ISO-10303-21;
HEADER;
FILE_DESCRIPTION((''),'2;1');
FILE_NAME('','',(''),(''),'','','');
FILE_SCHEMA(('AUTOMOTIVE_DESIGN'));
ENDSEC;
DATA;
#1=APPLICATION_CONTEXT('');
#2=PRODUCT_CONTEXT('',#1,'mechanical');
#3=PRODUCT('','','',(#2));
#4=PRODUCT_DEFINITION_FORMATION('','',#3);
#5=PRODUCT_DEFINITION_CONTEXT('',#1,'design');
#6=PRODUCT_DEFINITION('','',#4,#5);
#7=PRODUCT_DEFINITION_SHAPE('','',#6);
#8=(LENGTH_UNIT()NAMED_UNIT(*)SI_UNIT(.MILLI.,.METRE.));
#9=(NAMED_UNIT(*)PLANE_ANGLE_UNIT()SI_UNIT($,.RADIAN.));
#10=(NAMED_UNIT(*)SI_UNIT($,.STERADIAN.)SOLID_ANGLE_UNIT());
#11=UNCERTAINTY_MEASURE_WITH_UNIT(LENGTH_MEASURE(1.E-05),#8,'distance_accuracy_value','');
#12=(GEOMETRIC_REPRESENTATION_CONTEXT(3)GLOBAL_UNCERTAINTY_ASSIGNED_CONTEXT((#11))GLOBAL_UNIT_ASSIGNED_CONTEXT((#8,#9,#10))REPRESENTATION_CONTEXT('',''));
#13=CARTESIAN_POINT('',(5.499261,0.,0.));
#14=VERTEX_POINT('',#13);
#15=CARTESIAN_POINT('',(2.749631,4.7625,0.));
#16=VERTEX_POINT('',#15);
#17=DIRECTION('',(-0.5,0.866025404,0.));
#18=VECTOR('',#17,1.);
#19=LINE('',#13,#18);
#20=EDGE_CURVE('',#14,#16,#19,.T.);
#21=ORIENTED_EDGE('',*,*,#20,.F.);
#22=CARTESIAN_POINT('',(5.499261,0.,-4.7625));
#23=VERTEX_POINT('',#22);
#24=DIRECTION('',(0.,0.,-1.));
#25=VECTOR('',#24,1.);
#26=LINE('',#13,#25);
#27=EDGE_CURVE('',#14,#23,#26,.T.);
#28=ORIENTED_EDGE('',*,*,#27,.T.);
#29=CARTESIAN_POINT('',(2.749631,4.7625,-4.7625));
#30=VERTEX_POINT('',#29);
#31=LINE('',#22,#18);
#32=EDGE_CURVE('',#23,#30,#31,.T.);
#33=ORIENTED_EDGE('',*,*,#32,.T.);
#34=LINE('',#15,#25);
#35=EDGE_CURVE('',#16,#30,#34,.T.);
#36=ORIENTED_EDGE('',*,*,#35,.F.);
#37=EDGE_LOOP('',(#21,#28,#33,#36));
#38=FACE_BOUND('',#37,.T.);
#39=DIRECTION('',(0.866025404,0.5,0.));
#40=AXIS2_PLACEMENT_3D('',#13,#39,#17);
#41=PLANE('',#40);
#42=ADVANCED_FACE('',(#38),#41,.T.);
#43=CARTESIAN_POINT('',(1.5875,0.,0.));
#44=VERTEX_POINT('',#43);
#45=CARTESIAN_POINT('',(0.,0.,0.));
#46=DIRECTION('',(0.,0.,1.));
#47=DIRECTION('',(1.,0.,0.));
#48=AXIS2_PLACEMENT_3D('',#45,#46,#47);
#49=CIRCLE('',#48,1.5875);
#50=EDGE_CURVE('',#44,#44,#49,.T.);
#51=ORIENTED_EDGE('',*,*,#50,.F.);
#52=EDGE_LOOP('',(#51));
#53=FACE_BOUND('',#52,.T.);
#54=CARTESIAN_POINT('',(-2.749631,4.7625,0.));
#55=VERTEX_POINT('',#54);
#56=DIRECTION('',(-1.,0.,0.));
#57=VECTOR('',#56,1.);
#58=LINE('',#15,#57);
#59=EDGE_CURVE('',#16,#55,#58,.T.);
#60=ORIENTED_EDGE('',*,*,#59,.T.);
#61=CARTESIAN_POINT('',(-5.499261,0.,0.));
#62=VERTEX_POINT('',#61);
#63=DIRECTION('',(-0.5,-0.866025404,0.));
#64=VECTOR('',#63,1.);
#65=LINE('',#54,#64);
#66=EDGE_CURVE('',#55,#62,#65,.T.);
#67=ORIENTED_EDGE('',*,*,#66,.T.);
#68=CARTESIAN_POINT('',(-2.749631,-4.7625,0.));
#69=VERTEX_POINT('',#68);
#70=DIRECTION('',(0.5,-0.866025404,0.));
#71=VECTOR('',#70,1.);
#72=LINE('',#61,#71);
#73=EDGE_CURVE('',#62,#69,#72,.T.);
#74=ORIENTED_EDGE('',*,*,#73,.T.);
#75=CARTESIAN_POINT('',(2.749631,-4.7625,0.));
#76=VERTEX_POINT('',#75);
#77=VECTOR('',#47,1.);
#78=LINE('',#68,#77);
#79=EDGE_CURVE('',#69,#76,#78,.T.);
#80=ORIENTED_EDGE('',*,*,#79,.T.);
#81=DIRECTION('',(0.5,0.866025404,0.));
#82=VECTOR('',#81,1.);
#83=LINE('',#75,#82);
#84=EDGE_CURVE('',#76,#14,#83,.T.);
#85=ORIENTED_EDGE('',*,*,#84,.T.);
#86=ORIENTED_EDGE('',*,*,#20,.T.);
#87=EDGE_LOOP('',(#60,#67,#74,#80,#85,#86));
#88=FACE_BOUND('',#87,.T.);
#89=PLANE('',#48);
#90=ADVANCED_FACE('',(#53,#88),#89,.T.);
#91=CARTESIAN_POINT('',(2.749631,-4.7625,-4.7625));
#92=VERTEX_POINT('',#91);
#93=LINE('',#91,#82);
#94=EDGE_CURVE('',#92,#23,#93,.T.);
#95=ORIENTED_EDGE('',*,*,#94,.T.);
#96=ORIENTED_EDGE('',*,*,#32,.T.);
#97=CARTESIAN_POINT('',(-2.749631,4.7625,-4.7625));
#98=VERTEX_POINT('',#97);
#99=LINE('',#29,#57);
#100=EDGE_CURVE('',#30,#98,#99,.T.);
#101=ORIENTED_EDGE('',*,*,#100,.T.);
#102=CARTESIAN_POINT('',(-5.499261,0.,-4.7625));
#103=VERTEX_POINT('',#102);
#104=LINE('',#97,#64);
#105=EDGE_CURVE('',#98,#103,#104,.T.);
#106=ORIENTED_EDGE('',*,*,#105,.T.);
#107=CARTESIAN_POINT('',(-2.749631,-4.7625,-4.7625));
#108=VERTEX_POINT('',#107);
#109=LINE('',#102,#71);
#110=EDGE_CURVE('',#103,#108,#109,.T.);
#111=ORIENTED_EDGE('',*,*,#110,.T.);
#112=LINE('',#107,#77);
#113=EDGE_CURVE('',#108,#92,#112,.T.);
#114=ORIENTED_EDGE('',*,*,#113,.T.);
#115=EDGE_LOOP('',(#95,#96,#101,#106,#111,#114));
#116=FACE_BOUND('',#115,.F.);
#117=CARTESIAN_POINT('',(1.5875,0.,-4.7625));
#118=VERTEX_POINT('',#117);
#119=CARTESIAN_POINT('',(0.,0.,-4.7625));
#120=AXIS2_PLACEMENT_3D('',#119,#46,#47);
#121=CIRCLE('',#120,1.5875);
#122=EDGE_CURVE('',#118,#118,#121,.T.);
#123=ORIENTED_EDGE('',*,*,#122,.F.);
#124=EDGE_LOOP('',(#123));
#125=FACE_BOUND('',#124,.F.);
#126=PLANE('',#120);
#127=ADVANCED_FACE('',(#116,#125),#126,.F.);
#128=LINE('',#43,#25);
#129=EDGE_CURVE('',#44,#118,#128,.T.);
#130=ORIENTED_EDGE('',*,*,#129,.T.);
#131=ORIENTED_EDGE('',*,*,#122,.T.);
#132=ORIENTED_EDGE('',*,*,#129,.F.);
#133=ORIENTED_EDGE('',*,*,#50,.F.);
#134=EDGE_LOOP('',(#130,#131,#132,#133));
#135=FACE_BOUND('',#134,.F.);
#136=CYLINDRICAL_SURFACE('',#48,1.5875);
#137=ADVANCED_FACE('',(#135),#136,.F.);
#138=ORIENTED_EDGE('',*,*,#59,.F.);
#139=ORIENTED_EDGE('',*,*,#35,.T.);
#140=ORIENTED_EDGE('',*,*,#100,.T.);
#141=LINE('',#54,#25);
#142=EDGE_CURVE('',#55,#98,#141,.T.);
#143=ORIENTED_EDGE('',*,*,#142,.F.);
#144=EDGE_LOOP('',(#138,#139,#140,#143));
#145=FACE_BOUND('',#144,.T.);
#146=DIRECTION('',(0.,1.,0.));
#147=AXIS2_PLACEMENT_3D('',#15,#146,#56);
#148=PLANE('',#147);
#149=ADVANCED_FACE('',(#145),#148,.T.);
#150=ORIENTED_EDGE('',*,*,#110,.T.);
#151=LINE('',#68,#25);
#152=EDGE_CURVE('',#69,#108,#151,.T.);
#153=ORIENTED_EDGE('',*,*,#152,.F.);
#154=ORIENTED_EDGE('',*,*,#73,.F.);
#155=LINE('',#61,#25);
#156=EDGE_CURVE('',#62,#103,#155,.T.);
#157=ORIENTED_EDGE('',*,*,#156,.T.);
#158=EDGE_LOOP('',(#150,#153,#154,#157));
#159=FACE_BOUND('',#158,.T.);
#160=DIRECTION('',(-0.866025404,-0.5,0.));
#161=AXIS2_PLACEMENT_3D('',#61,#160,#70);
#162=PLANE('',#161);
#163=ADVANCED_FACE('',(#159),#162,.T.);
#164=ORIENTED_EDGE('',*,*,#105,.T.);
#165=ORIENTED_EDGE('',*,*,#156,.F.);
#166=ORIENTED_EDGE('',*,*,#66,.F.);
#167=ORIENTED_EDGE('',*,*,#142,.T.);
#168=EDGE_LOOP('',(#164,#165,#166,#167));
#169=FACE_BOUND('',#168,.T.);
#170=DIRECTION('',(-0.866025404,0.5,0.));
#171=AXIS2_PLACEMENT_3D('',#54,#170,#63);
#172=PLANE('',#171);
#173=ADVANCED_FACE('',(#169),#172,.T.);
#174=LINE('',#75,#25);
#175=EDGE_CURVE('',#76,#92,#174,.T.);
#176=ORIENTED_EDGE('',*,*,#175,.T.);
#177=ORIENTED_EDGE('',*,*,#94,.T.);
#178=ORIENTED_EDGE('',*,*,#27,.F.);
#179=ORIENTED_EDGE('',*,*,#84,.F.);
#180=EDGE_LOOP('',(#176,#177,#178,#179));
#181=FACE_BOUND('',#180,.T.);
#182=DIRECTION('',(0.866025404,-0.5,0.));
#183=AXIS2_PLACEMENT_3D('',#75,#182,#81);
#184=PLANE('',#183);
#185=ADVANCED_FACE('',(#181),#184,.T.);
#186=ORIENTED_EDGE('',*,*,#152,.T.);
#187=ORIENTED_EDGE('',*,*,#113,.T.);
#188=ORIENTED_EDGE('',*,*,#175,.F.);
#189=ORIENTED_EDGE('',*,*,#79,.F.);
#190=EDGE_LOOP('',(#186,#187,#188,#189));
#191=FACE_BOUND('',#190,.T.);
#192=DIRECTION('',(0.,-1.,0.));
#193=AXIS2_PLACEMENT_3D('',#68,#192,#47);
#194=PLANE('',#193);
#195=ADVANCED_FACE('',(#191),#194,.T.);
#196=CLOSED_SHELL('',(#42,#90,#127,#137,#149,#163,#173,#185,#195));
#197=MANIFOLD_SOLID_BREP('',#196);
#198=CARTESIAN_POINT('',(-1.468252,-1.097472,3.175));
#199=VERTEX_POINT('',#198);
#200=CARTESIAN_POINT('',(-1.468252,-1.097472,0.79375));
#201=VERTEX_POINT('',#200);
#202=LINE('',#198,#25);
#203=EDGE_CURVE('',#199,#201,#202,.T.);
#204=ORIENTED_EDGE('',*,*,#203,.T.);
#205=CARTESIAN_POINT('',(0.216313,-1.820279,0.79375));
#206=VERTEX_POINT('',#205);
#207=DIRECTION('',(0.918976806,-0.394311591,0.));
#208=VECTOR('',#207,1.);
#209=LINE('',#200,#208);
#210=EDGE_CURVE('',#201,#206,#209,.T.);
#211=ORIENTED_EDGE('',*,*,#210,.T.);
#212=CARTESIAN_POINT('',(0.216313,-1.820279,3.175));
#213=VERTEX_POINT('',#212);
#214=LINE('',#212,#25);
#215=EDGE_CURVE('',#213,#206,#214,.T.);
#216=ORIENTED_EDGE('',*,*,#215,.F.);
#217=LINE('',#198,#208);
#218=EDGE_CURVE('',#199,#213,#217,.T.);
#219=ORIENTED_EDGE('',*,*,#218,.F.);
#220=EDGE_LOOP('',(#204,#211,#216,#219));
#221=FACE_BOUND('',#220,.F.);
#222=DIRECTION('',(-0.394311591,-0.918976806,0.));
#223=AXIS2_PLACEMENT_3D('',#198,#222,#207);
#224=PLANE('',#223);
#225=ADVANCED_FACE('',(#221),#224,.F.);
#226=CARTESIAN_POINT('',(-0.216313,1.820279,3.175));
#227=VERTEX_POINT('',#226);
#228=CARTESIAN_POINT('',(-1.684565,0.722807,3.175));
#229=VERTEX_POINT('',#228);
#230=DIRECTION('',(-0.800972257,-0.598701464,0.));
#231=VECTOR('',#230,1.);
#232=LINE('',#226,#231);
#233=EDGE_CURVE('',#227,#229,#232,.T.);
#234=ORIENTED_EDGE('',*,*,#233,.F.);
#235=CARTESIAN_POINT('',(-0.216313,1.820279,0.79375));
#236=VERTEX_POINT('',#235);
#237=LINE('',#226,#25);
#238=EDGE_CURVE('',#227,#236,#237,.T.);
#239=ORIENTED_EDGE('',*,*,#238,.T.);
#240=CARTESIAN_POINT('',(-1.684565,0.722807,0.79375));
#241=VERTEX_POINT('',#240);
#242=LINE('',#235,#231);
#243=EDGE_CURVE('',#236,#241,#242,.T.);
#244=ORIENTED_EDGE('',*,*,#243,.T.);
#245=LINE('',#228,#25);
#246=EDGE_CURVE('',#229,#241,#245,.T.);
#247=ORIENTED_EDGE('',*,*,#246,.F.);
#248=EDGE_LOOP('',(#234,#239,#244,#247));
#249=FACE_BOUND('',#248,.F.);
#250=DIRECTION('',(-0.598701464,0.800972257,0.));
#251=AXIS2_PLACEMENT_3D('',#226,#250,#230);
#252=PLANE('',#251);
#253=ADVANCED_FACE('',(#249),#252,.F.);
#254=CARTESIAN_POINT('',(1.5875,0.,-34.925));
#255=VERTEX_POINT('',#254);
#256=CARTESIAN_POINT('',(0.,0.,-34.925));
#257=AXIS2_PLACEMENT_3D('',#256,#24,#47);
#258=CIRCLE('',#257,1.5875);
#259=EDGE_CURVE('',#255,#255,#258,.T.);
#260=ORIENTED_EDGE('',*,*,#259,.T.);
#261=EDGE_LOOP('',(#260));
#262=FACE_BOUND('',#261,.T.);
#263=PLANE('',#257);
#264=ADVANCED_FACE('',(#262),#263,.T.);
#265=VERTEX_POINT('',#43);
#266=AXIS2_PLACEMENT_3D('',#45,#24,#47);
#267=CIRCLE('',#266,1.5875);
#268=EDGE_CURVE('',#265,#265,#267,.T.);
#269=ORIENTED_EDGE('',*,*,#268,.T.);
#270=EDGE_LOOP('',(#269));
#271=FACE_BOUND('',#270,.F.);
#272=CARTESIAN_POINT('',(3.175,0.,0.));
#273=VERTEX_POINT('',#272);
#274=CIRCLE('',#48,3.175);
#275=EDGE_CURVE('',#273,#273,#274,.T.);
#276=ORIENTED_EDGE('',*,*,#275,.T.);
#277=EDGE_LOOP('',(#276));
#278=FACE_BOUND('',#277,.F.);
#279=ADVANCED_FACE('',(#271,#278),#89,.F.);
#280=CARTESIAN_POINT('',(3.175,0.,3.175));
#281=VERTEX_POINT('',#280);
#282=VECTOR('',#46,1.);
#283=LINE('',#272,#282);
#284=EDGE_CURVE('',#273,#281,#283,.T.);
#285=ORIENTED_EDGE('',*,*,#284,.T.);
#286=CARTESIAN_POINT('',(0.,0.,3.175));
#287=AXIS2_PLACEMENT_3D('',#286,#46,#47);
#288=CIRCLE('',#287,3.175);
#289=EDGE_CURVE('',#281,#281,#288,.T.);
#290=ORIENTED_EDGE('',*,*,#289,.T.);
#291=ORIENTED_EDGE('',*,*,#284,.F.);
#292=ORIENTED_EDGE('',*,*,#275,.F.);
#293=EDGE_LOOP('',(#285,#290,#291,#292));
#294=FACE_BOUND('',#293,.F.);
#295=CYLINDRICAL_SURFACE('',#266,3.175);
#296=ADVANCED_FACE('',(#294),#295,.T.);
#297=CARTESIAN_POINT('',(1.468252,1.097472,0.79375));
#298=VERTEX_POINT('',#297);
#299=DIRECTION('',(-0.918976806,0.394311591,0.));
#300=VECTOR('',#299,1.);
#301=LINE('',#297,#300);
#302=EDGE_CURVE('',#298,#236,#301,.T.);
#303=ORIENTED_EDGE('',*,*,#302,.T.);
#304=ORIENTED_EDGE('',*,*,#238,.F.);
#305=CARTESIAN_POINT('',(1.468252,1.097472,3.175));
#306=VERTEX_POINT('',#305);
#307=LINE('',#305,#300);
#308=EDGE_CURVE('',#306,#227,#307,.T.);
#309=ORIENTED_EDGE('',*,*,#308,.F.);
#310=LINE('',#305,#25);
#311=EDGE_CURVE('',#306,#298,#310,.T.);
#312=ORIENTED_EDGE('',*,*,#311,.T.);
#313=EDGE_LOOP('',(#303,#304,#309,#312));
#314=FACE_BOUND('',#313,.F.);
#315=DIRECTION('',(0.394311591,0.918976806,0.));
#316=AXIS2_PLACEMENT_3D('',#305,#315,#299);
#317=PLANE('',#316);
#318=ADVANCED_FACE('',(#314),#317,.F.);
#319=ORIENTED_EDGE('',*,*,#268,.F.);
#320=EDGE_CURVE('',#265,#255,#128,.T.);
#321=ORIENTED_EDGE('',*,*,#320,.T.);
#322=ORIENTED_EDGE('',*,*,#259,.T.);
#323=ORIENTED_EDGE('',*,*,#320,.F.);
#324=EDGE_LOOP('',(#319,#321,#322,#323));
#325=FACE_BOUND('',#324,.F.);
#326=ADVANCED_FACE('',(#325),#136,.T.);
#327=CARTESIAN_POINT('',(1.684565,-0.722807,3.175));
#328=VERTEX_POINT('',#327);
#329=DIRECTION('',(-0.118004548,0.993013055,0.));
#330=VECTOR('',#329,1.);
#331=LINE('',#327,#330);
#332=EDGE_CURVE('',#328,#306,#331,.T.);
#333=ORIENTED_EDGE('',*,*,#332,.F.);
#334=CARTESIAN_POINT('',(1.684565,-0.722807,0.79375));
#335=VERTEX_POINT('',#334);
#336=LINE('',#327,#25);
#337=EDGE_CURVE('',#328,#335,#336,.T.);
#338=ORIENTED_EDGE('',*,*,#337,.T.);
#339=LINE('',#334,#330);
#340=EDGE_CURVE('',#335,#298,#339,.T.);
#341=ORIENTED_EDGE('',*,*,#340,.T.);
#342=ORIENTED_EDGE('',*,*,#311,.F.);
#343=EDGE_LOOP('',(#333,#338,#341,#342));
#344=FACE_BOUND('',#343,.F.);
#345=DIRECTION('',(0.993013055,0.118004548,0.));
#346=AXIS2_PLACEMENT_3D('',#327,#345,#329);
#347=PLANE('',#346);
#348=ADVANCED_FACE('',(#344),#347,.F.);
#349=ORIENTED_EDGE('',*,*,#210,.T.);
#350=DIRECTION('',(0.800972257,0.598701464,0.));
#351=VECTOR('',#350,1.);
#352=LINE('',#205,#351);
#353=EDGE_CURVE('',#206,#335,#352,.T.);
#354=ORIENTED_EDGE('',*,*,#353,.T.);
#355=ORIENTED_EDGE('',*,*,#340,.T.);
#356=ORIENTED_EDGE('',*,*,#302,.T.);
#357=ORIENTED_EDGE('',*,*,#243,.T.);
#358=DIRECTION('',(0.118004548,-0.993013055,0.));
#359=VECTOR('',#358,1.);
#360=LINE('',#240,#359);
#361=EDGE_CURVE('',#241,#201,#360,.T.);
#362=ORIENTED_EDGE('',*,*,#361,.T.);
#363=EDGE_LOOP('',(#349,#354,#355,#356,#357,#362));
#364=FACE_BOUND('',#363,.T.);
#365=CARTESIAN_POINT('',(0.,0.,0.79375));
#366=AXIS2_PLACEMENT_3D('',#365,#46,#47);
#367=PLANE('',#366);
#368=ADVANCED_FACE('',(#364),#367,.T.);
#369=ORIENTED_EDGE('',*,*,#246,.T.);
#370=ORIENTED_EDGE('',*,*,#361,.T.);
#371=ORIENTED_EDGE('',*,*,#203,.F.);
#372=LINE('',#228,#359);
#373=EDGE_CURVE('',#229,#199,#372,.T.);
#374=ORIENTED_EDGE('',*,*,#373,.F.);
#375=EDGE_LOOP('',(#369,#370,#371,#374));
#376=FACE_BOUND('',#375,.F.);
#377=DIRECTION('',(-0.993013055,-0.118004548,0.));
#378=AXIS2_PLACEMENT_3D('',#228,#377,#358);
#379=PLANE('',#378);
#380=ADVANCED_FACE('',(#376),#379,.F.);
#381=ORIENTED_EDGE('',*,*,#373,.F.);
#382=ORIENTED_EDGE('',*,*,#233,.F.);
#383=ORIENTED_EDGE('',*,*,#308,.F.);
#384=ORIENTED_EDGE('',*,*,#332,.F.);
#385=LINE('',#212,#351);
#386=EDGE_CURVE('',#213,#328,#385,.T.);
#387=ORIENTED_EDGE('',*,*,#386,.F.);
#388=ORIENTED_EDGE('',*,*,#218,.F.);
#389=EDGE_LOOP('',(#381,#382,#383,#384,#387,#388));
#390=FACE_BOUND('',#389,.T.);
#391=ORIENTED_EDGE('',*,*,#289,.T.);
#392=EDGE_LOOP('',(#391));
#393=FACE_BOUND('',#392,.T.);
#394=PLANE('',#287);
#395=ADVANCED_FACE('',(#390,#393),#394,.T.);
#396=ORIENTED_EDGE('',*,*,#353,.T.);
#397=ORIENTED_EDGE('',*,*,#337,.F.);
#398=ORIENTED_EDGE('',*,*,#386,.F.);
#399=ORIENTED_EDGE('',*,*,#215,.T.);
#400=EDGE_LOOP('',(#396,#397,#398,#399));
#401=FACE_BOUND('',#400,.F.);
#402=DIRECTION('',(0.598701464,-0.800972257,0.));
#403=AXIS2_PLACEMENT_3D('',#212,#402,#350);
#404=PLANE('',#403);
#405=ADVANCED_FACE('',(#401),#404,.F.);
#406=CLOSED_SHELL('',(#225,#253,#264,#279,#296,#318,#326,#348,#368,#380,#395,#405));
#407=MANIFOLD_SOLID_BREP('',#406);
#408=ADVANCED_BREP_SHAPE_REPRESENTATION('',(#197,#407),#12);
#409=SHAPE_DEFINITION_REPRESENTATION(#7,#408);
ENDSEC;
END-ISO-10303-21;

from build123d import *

# Parameters (mm, degrees)
F0_R      = 1.5875
F1_DEPTH  = 4.7625
F2_R      = 3.175
F3_DEPTH  = 3.175
F4_R      = 1.5875
F5_DEPTH  = 34.925
F7_DEPTH  = 3.048
F9_DEPTH  = 3.175
F11_R     = 1.5875
F12_DEPTH = 25.4
F14_R     = 3.175
F15_DEPTH = 3.175
F16_R     = 1.5875
F17_DEPTH = 34.925
F19_DEPTH = 2.38125


with BuildPart() as f1:
    # F0 (on Top) → F1 (new body)
    with BuildSketch(Plane.XY):
        Polygon((-2.749630657, -4.7625), (2.749630657, -4.7625), (5.499261314, 0), (2.749630657, 4.7625), (-2.749630657, 4.7625), (-5.499261314, 0), align=None)
        Circle(F0_R, mode=Mode.SUBTRACT)
    extrude(amount=-F1_DEPTH)


with BuildPart() as f3:
    # F2 (on Top) → F3 (new body)
    with BuildSketch(Plane.XY):
        Circle(F2_R)
    extrude(amount=F3_DEPTH)

    # F6 (on face) → F7 (join)
    with BuildSketch(Plane.XY.offset(3.175)):
        Polygon((-1.7250356923, 0.6200485413), (-1.3994956345, -1.1839004614), (0.3255400579, -1.8039490026), (1.7250356923, -0.6200485413), (1.3994956345, 1.1839004614), (-0.3255400579, 1.8039490026), align=None)
    extrude(amount=-F7_DEPTH)

    # F8 (on face) → F9 (cut)
    with BuildSketch(Plane.XY.offset(3.175)):
        Polygon((-0.0873734126, -1.8310036101), (1.5420089344, -0.9911694), (1.6293823471, 0.8398342101), (0.0873734126, 1.8310036101), (-1.5420089344, 0.9911694), (-1.6293823471, -0.8398342101), align=None)
    extrude(amount=-F9_DEPTH, mode=Mode.SUBTRACT)


with BuildPart() as f5:
    # F4 (on face) → F5 (new body)
    with BuildSketch(Plane(origin=(0, 0, 0), x_dir=(1, 0, 0), z_dir=(0, 0, -1))):
        Circle(F4_R)
    extrude(amount=F5_DEPTH)


with BuildPart() as f12:
    # F11 (on face) → F12 (new body)
    with BuildSketch(Plane.XY):
        Polygon((5.4008311415, 1.0358078881), (1.8033796262, 5.1951609141), (-3.5974515153, 4.159353026), (-5.4008311415, -1.0358078881), (-1.8033796262, -5.1951609141), (3.5974515153, -4.159353026), align=None)
        Circle(F11_R, mode=Mode.SUBTRACT)
    extrude(amount=F12_DEPTH)


with BuildPart() as f15:
    # F14 (on Top) → F15 (new body)
    with BuildSketch(Plane.XY):
        Circle(F14_R)
    extrude(amount=F15_DEPTH)

    # F16 (on face) → F17 (join)
    with BuildSketch(Plane(origin=(0, 0, 0), x_dir=(1, 0, 0), z_dir=(0, 0, -1))):
        Circle(F16_R)
    extrude(amount=F17_DEPTH)

    # F18 (on face) → F19 (cut)
    with BuildSketch(Plane.XY.offset(3.175)):
        Polygon((-0.216312616, 1.8202794251), (-1.6845645321, 0.7228074919), (-1.4682519161, -1.0974719332), (0.216312616, -1.8202794251), (1.6845645321, -0.7228074919), (1.4682519161, 1.0974719332), align=None)
    extrude(amount=-F19_DEPTH, mode=Mode.SUBTRACT)


solid = Compound([f1.part, f15.part])
